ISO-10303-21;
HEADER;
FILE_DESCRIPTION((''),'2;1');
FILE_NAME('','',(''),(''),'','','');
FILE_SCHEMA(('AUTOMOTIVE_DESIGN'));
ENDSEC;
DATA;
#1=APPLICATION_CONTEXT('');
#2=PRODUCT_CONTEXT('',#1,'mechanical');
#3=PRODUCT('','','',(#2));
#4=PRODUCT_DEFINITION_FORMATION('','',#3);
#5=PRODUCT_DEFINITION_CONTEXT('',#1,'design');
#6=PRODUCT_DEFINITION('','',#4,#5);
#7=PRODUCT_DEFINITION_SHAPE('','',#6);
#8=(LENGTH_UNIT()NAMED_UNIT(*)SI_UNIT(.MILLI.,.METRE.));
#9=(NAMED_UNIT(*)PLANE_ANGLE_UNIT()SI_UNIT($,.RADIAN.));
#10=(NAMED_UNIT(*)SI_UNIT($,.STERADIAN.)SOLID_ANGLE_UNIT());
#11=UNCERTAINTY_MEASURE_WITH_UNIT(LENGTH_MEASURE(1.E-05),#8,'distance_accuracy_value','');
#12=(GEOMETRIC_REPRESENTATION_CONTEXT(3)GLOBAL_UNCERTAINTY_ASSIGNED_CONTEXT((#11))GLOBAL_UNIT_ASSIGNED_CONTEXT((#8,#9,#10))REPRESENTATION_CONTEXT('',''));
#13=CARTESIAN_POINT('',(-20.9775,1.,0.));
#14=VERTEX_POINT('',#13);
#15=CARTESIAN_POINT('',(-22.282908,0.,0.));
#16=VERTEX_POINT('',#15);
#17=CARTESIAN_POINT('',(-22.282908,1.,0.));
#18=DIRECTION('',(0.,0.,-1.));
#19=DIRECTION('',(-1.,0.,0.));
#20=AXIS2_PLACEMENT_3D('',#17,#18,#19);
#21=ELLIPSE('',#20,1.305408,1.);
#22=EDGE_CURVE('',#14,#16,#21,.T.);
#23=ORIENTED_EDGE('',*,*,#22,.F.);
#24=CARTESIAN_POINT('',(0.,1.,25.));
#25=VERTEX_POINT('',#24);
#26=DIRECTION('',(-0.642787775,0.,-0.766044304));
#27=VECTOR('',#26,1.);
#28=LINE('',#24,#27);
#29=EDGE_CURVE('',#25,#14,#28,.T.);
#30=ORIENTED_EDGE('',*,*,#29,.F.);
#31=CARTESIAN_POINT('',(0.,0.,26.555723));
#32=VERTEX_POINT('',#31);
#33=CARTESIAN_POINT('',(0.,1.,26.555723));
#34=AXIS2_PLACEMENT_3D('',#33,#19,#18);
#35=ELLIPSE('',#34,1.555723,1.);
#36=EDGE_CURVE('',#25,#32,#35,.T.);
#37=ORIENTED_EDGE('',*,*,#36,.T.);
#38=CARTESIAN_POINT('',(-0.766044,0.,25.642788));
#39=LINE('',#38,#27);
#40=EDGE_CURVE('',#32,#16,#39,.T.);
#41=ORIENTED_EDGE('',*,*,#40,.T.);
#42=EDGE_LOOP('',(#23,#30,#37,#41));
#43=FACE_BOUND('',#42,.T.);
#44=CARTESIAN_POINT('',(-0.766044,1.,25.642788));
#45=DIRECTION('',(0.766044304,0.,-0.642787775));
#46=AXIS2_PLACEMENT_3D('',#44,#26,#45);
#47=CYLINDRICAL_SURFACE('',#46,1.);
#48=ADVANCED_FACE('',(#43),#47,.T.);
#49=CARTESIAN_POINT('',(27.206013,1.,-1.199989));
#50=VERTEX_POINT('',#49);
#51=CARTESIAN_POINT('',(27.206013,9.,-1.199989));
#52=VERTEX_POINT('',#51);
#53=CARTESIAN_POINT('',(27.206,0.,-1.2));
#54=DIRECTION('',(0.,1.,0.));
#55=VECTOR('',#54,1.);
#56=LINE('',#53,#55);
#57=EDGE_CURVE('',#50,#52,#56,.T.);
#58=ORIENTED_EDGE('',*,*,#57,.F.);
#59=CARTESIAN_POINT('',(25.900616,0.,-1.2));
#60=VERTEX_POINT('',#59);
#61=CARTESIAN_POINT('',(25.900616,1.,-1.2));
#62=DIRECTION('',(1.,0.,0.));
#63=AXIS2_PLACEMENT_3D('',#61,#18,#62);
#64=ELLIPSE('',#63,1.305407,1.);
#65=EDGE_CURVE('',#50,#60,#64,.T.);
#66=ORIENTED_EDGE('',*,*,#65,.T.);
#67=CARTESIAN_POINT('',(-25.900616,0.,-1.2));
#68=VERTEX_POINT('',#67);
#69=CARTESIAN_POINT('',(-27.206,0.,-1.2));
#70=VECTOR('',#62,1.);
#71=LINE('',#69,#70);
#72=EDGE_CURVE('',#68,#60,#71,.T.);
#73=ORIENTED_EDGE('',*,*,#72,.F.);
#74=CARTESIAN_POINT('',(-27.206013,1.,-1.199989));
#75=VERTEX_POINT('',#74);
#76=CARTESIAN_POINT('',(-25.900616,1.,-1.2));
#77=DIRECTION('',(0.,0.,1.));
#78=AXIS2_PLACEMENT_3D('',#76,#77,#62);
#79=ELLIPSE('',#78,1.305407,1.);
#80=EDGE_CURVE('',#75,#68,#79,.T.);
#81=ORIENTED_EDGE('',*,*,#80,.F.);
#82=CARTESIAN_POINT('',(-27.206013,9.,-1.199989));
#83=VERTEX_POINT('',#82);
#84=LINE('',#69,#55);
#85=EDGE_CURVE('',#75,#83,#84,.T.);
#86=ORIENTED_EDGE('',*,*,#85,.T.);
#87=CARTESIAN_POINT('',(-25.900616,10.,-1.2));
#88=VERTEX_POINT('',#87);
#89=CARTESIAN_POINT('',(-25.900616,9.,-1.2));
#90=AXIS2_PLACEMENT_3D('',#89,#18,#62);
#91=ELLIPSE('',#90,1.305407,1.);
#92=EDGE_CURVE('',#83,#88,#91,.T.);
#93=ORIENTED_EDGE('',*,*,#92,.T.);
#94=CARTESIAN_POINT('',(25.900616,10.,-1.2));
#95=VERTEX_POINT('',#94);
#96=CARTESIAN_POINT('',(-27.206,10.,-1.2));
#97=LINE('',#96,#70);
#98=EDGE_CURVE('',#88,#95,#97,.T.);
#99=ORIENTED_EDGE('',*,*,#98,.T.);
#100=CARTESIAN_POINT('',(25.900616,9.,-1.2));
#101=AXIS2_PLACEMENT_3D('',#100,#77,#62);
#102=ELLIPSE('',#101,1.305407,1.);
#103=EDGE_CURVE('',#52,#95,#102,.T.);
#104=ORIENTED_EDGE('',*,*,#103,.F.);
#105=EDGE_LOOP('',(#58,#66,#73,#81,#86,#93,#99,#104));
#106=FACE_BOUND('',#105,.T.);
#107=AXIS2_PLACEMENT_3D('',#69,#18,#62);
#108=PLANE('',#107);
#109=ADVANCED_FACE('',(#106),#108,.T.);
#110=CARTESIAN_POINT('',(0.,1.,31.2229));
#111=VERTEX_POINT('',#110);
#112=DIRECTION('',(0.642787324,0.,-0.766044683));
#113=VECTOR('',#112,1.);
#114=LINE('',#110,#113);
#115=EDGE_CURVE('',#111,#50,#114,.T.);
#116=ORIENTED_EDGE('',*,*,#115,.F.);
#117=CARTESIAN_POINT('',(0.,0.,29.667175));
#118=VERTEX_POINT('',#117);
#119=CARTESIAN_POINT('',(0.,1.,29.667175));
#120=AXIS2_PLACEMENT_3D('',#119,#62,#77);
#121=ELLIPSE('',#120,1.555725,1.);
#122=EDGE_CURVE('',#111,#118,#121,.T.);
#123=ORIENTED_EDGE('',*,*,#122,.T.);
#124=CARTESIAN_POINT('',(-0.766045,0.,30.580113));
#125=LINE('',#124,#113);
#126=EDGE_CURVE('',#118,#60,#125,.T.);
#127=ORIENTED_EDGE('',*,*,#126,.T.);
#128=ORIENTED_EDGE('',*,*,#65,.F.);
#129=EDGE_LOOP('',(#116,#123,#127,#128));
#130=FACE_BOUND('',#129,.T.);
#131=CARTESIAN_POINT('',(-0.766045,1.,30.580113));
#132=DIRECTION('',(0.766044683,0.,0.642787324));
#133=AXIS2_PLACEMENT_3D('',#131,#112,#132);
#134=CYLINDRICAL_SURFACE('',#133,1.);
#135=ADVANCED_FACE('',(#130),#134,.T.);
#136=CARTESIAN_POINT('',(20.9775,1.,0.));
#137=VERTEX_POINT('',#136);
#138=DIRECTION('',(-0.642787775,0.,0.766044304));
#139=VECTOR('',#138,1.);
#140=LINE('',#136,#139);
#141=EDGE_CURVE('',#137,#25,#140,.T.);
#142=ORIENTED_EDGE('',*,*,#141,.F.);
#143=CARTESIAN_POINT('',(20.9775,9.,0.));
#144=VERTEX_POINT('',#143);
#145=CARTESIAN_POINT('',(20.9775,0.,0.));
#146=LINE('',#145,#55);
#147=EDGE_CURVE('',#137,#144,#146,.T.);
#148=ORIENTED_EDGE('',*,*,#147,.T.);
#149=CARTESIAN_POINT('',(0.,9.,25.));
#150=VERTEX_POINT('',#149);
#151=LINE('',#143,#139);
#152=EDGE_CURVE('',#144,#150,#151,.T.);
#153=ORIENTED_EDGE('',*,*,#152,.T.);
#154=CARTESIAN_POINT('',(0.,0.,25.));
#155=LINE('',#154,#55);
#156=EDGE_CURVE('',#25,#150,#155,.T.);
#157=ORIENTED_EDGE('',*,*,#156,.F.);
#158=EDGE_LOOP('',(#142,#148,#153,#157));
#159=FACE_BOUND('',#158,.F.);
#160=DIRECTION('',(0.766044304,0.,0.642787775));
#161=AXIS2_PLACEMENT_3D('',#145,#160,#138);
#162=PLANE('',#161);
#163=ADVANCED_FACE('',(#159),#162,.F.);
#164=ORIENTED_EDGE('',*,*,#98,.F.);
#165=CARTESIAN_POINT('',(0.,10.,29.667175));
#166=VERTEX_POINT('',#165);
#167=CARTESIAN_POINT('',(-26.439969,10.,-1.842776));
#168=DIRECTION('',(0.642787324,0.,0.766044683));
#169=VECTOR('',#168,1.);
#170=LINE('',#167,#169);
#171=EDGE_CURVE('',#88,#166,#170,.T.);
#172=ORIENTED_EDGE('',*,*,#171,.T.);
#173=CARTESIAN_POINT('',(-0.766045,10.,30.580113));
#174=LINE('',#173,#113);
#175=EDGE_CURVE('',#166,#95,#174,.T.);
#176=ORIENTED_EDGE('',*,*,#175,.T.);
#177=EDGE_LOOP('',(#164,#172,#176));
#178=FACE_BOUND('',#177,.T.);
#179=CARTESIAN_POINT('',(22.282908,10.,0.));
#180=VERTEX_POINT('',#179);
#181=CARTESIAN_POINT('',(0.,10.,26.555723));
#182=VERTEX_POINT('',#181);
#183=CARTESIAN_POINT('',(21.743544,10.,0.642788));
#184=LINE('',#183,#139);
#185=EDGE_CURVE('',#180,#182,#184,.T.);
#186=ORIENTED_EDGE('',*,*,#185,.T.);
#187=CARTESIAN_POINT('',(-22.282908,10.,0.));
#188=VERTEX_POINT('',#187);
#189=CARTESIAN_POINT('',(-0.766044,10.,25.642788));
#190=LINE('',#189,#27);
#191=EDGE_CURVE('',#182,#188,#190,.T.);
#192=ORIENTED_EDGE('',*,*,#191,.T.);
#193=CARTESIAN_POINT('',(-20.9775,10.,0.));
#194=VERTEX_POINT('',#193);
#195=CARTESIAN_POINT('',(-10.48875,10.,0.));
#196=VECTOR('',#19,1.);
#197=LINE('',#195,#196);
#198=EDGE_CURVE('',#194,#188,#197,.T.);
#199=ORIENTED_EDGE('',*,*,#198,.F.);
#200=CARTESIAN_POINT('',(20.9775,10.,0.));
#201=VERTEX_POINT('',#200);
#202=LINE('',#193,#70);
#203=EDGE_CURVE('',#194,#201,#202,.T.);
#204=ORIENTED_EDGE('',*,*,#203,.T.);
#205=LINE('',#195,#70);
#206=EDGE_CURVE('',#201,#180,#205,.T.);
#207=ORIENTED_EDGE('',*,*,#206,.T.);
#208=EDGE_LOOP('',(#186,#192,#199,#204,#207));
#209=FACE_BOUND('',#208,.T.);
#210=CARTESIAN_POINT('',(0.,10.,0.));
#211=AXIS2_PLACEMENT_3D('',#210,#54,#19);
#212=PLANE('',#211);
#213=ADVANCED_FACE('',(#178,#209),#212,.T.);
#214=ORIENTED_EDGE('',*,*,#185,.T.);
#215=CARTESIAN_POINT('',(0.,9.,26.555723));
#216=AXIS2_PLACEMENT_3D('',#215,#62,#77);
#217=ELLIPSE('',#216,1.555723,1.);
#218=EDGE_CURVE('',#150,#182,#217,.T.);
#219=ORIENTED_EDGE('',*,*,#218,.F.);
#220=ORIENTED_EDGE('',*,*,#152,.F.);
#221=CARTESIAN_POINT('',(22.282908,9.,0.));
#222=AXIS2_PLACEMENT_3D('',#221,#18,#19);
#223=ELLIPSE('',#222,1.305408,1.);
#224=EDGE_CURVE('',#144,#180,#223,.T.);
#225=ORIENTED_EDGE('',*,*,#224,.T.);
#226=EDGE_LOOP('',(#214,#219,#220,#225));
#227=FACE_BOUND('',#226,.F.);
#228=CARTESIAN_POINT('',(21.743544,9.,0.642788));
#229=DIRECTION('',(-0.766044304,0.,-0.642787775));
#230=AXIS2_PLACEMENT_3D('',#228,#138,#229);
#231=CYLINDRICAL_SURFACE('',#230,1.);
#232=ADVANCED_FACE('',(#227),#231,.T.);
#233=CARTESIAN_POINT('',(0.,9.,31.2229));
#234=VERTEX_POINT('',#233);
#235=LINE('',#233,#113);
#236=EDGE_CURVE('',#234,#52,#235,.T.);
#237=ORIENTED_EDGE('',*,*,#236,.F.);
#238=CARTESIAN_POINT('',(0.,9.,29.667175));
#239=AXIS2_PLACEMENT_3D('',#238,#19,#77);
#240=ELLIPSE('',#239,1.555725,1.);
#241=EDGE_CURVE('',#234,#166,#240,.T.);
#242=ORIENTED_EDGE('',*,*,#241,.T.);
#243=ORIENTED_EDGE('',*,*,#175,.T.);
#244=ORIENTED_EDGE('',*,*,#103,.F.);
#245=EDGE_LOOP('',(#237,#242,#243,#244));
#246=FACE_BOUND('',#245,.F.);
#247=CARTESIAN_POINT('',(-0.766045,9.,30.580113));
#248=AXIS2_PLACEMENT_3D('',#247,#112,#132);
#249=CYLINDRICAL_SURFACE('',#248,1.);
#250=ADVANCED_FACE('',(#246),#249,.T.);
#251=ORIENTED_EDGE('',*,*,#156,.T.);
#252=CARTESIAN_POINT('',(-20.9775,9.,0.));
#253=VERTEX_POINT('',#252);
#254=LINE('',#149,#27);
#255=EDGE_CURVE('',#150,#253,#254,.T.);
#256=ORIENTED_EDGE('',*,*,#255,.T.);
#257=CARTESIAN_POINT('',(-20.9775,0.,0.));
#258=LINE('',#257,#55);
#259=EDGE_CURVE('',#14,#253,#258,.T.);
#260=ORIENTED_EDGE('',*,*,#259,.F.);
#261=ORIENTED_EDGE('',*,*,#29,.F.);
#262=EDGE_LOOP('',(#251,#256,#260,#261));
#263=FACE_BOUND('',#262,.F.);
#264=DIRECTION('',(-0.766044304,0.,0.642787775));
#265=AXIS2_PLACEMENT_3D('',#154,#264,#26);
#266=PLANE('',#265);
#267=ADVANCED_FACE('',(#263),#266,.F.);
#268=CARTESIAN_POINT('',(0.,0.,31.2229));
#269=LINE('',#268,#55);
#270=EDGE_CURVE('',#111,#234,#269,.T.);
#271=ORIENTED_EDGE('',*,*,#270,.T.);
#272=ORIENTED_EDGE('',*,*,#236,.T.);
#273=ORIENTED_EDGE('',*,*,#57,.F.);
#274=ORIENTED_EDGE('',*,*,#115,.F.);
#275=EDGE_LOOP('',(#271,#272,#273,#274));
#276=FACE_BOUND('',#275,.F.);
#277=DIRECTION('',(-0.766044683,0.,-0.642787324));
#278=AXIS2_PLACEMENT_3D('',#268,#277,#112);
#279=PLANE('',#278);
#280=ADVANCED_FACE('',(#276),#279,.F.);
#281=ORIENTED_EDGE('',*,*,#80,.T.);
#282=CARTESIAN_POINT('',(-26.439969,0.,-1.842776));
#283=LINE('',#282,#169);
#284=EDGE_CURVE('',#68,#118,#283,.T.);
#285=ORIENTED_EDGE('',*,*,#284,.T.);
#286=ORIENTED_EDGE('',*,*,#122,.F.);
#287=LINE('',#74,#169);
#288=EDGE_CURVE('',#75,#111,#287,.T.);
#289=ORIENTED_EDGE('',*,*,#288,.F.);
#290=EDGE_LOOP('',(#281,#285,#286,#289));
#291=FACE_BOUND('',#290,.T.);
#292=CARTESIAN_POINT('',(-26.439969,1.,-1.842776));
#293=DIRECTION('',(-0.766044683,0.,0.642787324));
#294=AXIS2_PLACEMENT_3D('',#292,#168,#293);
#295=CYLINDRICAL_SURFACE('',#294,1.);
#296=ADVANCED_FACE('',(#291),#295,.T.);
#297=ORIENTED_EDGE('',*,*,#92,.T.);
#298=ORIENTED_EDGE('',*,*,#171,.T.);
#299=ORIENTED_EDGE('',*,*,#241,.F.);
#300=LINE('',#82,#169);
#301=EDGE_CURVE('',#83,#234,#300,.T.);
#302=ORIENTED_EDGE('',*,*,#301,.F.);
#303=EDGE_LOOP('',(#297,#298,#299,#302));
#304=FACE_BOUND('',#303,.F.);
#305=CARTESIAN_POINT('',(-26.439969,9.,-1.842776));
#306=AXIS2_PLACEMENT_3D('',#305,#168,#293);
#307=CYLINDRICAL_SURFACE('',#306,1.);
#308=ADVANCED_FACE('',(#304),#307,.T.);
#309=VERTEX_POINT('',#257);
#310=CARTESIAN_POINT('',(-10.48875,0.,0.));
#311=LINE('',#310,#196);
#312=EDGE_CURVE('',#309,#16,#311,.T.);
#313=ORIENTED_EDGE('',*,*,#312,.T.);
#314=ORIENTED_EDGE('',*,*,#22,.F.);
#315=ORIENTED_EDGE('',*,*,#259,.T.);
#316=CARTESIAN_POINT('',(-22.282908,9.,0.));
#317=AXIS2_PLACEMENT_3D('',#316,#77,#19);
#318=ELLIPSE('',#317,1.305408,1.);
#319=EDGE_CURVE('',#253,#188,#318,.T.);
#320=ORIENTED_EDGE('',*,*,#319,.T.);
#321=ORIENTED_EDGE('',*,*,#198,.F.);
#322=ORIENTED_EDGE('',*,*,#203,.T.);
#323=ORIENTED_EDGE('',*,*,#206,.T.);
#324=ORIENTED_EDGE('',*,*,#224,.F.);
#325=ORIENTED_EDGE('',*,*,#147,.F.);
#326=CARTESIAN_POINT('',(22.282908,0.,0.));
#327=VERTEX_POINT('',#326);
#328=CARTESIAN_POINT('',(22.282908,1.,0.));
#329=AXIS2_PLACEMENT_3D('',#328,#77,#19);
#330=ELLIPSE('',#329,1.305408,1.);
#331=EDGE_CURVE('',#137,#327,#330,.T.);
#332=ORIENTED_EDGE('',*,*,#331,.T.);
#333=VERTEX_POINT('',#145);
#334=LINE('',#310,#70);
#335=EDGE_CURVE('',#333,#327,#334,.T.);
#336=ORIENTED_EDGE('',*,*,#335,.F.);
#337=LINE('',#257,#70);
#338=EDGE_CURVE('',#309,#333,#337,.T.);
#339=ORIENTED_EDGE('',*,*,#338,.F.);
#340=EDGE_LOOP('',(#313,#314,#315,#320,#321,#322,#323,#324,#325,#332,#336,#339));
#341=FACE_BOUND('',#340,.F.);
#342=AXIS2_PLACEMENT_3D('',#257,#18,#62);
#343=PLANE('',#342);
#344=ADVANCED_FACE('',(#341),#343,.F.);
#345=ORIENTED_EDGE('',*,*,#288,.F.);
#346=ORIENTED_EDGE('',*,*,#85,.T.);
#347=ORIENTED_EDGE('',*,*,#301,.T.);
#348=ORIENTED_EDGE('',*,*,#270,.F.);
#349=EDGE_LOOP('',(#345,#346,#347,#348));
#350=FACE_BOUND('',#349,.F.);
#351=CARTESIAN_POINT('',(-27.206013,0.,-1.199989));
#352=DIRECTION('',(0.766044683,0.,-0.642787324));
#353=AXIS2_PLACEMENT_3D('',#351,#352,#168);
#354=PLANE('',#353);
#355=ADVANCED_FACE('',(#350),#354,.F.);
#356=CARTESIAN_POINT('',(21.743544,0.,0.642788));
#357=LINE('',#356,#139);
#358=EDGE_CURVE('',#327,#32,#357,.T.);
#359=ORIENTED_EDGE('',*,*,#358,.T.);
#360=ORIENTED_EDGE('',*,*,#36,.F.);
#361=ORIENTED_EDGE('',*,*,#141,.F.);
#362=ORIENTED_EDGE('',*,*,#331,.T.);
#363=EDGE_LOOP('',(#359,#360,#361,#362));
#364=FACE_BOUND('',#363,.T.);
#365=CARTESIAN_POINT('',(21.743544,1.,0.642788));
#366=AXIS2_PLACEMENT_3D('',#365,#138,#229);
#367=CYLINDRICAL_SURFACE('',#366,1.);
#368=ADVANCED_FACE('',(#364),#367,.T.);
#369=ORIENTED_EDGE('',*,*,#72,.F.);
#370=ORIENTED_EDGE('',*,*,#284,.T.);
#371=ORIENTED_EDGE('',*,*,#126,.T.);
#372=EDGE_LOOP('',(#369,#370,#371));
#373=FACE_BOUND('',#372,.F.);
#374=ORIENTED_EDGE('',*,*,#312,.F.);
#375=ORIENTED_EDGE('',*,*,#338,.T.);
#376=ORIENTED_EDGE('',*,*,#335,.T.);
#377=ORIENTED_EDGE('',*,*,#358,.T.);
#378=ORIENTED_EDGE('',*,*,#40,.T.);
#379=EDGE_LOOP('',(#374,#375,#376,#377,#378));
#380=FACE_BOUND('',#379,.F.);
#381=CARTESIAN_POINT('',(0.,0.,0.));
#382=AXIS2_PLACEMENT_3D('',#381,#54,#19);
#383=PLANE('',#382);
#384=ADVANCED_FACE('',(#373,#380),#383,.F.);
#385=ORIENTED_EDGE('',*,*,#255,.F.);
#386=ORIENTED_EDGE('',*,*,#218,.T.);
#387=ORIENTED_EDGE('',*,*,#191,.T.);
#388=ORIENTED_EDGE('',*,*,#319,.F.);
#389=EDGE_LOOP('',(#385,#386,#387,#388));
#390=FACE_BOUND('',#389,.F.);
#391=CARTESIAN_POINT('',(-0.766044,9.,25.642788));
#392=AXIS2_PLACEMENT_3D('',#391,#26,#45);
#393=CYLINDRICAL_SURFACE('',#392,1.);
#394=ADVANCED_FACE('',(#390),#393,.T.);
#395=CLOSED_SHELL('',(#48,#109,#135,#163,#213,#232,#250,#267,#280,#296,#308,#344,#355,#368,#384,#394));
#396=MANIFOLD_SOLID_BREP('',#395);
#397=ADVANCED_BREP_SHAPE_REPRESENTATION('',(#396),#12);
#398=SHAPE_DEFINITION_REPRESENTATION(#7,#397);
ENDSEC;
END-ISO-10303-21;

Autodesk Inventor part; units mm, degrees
ref_plane "YZ Plane" through (0, 0, 0) normal (1, 0, 0) x (0, 1, 0)
ref_plane "XZ Plane" through (0, 0, 0) normal (0, 1, 0) x (-1, 0, 0)
ref_plane "XY Plane" through (0, 0, 0) normal (0, 0, 1) x (1, 0, 0)
sketch "Sketch1" plane through (0, 0, 0) normal (0, 1, 0) x (-1, 0, 0)
  line L0 (-20.9775, 0) -> (0, 25)
  line L1 (0, 25) -> (20.9775, 0)
  line L2 (20.9775, 0) -> (-20.9775, 0)
  line L3 (0, 25) -> (0, 0) construction
  line L4 (0, 31.2229) -> (-29.5555, -4)
  line L5 (-29.5555, -4) -> (29.5555, -4)
  line L6 (29.5555, -4) -> (0, 31.2229)
  line L7 (27.206, -1.2) -> (-27.206, -1.2)
  dimension "d0" = 40
  dimension "d1" = 25
  dimension "d2" = 4
  dimension "d6" = 1.2
extrude "Extrusion1" add sketch "Sketch1" along normal blind 10 contours L6 L7 L4
fillet "Fillet1" radius 1 8 edges at (10.4887, 10, 12.5) (-10.4887, 10, 12.5) (-13.603, 0, 15.0114) (-10.4887, 0, 12.5) (-13.603, 10, 15.0114) (10.4887, 0, 12.5) (13.603, 0, 15.0114) (13.603, 10, 15.0114)
properties part number "test-triangle-overhang"
